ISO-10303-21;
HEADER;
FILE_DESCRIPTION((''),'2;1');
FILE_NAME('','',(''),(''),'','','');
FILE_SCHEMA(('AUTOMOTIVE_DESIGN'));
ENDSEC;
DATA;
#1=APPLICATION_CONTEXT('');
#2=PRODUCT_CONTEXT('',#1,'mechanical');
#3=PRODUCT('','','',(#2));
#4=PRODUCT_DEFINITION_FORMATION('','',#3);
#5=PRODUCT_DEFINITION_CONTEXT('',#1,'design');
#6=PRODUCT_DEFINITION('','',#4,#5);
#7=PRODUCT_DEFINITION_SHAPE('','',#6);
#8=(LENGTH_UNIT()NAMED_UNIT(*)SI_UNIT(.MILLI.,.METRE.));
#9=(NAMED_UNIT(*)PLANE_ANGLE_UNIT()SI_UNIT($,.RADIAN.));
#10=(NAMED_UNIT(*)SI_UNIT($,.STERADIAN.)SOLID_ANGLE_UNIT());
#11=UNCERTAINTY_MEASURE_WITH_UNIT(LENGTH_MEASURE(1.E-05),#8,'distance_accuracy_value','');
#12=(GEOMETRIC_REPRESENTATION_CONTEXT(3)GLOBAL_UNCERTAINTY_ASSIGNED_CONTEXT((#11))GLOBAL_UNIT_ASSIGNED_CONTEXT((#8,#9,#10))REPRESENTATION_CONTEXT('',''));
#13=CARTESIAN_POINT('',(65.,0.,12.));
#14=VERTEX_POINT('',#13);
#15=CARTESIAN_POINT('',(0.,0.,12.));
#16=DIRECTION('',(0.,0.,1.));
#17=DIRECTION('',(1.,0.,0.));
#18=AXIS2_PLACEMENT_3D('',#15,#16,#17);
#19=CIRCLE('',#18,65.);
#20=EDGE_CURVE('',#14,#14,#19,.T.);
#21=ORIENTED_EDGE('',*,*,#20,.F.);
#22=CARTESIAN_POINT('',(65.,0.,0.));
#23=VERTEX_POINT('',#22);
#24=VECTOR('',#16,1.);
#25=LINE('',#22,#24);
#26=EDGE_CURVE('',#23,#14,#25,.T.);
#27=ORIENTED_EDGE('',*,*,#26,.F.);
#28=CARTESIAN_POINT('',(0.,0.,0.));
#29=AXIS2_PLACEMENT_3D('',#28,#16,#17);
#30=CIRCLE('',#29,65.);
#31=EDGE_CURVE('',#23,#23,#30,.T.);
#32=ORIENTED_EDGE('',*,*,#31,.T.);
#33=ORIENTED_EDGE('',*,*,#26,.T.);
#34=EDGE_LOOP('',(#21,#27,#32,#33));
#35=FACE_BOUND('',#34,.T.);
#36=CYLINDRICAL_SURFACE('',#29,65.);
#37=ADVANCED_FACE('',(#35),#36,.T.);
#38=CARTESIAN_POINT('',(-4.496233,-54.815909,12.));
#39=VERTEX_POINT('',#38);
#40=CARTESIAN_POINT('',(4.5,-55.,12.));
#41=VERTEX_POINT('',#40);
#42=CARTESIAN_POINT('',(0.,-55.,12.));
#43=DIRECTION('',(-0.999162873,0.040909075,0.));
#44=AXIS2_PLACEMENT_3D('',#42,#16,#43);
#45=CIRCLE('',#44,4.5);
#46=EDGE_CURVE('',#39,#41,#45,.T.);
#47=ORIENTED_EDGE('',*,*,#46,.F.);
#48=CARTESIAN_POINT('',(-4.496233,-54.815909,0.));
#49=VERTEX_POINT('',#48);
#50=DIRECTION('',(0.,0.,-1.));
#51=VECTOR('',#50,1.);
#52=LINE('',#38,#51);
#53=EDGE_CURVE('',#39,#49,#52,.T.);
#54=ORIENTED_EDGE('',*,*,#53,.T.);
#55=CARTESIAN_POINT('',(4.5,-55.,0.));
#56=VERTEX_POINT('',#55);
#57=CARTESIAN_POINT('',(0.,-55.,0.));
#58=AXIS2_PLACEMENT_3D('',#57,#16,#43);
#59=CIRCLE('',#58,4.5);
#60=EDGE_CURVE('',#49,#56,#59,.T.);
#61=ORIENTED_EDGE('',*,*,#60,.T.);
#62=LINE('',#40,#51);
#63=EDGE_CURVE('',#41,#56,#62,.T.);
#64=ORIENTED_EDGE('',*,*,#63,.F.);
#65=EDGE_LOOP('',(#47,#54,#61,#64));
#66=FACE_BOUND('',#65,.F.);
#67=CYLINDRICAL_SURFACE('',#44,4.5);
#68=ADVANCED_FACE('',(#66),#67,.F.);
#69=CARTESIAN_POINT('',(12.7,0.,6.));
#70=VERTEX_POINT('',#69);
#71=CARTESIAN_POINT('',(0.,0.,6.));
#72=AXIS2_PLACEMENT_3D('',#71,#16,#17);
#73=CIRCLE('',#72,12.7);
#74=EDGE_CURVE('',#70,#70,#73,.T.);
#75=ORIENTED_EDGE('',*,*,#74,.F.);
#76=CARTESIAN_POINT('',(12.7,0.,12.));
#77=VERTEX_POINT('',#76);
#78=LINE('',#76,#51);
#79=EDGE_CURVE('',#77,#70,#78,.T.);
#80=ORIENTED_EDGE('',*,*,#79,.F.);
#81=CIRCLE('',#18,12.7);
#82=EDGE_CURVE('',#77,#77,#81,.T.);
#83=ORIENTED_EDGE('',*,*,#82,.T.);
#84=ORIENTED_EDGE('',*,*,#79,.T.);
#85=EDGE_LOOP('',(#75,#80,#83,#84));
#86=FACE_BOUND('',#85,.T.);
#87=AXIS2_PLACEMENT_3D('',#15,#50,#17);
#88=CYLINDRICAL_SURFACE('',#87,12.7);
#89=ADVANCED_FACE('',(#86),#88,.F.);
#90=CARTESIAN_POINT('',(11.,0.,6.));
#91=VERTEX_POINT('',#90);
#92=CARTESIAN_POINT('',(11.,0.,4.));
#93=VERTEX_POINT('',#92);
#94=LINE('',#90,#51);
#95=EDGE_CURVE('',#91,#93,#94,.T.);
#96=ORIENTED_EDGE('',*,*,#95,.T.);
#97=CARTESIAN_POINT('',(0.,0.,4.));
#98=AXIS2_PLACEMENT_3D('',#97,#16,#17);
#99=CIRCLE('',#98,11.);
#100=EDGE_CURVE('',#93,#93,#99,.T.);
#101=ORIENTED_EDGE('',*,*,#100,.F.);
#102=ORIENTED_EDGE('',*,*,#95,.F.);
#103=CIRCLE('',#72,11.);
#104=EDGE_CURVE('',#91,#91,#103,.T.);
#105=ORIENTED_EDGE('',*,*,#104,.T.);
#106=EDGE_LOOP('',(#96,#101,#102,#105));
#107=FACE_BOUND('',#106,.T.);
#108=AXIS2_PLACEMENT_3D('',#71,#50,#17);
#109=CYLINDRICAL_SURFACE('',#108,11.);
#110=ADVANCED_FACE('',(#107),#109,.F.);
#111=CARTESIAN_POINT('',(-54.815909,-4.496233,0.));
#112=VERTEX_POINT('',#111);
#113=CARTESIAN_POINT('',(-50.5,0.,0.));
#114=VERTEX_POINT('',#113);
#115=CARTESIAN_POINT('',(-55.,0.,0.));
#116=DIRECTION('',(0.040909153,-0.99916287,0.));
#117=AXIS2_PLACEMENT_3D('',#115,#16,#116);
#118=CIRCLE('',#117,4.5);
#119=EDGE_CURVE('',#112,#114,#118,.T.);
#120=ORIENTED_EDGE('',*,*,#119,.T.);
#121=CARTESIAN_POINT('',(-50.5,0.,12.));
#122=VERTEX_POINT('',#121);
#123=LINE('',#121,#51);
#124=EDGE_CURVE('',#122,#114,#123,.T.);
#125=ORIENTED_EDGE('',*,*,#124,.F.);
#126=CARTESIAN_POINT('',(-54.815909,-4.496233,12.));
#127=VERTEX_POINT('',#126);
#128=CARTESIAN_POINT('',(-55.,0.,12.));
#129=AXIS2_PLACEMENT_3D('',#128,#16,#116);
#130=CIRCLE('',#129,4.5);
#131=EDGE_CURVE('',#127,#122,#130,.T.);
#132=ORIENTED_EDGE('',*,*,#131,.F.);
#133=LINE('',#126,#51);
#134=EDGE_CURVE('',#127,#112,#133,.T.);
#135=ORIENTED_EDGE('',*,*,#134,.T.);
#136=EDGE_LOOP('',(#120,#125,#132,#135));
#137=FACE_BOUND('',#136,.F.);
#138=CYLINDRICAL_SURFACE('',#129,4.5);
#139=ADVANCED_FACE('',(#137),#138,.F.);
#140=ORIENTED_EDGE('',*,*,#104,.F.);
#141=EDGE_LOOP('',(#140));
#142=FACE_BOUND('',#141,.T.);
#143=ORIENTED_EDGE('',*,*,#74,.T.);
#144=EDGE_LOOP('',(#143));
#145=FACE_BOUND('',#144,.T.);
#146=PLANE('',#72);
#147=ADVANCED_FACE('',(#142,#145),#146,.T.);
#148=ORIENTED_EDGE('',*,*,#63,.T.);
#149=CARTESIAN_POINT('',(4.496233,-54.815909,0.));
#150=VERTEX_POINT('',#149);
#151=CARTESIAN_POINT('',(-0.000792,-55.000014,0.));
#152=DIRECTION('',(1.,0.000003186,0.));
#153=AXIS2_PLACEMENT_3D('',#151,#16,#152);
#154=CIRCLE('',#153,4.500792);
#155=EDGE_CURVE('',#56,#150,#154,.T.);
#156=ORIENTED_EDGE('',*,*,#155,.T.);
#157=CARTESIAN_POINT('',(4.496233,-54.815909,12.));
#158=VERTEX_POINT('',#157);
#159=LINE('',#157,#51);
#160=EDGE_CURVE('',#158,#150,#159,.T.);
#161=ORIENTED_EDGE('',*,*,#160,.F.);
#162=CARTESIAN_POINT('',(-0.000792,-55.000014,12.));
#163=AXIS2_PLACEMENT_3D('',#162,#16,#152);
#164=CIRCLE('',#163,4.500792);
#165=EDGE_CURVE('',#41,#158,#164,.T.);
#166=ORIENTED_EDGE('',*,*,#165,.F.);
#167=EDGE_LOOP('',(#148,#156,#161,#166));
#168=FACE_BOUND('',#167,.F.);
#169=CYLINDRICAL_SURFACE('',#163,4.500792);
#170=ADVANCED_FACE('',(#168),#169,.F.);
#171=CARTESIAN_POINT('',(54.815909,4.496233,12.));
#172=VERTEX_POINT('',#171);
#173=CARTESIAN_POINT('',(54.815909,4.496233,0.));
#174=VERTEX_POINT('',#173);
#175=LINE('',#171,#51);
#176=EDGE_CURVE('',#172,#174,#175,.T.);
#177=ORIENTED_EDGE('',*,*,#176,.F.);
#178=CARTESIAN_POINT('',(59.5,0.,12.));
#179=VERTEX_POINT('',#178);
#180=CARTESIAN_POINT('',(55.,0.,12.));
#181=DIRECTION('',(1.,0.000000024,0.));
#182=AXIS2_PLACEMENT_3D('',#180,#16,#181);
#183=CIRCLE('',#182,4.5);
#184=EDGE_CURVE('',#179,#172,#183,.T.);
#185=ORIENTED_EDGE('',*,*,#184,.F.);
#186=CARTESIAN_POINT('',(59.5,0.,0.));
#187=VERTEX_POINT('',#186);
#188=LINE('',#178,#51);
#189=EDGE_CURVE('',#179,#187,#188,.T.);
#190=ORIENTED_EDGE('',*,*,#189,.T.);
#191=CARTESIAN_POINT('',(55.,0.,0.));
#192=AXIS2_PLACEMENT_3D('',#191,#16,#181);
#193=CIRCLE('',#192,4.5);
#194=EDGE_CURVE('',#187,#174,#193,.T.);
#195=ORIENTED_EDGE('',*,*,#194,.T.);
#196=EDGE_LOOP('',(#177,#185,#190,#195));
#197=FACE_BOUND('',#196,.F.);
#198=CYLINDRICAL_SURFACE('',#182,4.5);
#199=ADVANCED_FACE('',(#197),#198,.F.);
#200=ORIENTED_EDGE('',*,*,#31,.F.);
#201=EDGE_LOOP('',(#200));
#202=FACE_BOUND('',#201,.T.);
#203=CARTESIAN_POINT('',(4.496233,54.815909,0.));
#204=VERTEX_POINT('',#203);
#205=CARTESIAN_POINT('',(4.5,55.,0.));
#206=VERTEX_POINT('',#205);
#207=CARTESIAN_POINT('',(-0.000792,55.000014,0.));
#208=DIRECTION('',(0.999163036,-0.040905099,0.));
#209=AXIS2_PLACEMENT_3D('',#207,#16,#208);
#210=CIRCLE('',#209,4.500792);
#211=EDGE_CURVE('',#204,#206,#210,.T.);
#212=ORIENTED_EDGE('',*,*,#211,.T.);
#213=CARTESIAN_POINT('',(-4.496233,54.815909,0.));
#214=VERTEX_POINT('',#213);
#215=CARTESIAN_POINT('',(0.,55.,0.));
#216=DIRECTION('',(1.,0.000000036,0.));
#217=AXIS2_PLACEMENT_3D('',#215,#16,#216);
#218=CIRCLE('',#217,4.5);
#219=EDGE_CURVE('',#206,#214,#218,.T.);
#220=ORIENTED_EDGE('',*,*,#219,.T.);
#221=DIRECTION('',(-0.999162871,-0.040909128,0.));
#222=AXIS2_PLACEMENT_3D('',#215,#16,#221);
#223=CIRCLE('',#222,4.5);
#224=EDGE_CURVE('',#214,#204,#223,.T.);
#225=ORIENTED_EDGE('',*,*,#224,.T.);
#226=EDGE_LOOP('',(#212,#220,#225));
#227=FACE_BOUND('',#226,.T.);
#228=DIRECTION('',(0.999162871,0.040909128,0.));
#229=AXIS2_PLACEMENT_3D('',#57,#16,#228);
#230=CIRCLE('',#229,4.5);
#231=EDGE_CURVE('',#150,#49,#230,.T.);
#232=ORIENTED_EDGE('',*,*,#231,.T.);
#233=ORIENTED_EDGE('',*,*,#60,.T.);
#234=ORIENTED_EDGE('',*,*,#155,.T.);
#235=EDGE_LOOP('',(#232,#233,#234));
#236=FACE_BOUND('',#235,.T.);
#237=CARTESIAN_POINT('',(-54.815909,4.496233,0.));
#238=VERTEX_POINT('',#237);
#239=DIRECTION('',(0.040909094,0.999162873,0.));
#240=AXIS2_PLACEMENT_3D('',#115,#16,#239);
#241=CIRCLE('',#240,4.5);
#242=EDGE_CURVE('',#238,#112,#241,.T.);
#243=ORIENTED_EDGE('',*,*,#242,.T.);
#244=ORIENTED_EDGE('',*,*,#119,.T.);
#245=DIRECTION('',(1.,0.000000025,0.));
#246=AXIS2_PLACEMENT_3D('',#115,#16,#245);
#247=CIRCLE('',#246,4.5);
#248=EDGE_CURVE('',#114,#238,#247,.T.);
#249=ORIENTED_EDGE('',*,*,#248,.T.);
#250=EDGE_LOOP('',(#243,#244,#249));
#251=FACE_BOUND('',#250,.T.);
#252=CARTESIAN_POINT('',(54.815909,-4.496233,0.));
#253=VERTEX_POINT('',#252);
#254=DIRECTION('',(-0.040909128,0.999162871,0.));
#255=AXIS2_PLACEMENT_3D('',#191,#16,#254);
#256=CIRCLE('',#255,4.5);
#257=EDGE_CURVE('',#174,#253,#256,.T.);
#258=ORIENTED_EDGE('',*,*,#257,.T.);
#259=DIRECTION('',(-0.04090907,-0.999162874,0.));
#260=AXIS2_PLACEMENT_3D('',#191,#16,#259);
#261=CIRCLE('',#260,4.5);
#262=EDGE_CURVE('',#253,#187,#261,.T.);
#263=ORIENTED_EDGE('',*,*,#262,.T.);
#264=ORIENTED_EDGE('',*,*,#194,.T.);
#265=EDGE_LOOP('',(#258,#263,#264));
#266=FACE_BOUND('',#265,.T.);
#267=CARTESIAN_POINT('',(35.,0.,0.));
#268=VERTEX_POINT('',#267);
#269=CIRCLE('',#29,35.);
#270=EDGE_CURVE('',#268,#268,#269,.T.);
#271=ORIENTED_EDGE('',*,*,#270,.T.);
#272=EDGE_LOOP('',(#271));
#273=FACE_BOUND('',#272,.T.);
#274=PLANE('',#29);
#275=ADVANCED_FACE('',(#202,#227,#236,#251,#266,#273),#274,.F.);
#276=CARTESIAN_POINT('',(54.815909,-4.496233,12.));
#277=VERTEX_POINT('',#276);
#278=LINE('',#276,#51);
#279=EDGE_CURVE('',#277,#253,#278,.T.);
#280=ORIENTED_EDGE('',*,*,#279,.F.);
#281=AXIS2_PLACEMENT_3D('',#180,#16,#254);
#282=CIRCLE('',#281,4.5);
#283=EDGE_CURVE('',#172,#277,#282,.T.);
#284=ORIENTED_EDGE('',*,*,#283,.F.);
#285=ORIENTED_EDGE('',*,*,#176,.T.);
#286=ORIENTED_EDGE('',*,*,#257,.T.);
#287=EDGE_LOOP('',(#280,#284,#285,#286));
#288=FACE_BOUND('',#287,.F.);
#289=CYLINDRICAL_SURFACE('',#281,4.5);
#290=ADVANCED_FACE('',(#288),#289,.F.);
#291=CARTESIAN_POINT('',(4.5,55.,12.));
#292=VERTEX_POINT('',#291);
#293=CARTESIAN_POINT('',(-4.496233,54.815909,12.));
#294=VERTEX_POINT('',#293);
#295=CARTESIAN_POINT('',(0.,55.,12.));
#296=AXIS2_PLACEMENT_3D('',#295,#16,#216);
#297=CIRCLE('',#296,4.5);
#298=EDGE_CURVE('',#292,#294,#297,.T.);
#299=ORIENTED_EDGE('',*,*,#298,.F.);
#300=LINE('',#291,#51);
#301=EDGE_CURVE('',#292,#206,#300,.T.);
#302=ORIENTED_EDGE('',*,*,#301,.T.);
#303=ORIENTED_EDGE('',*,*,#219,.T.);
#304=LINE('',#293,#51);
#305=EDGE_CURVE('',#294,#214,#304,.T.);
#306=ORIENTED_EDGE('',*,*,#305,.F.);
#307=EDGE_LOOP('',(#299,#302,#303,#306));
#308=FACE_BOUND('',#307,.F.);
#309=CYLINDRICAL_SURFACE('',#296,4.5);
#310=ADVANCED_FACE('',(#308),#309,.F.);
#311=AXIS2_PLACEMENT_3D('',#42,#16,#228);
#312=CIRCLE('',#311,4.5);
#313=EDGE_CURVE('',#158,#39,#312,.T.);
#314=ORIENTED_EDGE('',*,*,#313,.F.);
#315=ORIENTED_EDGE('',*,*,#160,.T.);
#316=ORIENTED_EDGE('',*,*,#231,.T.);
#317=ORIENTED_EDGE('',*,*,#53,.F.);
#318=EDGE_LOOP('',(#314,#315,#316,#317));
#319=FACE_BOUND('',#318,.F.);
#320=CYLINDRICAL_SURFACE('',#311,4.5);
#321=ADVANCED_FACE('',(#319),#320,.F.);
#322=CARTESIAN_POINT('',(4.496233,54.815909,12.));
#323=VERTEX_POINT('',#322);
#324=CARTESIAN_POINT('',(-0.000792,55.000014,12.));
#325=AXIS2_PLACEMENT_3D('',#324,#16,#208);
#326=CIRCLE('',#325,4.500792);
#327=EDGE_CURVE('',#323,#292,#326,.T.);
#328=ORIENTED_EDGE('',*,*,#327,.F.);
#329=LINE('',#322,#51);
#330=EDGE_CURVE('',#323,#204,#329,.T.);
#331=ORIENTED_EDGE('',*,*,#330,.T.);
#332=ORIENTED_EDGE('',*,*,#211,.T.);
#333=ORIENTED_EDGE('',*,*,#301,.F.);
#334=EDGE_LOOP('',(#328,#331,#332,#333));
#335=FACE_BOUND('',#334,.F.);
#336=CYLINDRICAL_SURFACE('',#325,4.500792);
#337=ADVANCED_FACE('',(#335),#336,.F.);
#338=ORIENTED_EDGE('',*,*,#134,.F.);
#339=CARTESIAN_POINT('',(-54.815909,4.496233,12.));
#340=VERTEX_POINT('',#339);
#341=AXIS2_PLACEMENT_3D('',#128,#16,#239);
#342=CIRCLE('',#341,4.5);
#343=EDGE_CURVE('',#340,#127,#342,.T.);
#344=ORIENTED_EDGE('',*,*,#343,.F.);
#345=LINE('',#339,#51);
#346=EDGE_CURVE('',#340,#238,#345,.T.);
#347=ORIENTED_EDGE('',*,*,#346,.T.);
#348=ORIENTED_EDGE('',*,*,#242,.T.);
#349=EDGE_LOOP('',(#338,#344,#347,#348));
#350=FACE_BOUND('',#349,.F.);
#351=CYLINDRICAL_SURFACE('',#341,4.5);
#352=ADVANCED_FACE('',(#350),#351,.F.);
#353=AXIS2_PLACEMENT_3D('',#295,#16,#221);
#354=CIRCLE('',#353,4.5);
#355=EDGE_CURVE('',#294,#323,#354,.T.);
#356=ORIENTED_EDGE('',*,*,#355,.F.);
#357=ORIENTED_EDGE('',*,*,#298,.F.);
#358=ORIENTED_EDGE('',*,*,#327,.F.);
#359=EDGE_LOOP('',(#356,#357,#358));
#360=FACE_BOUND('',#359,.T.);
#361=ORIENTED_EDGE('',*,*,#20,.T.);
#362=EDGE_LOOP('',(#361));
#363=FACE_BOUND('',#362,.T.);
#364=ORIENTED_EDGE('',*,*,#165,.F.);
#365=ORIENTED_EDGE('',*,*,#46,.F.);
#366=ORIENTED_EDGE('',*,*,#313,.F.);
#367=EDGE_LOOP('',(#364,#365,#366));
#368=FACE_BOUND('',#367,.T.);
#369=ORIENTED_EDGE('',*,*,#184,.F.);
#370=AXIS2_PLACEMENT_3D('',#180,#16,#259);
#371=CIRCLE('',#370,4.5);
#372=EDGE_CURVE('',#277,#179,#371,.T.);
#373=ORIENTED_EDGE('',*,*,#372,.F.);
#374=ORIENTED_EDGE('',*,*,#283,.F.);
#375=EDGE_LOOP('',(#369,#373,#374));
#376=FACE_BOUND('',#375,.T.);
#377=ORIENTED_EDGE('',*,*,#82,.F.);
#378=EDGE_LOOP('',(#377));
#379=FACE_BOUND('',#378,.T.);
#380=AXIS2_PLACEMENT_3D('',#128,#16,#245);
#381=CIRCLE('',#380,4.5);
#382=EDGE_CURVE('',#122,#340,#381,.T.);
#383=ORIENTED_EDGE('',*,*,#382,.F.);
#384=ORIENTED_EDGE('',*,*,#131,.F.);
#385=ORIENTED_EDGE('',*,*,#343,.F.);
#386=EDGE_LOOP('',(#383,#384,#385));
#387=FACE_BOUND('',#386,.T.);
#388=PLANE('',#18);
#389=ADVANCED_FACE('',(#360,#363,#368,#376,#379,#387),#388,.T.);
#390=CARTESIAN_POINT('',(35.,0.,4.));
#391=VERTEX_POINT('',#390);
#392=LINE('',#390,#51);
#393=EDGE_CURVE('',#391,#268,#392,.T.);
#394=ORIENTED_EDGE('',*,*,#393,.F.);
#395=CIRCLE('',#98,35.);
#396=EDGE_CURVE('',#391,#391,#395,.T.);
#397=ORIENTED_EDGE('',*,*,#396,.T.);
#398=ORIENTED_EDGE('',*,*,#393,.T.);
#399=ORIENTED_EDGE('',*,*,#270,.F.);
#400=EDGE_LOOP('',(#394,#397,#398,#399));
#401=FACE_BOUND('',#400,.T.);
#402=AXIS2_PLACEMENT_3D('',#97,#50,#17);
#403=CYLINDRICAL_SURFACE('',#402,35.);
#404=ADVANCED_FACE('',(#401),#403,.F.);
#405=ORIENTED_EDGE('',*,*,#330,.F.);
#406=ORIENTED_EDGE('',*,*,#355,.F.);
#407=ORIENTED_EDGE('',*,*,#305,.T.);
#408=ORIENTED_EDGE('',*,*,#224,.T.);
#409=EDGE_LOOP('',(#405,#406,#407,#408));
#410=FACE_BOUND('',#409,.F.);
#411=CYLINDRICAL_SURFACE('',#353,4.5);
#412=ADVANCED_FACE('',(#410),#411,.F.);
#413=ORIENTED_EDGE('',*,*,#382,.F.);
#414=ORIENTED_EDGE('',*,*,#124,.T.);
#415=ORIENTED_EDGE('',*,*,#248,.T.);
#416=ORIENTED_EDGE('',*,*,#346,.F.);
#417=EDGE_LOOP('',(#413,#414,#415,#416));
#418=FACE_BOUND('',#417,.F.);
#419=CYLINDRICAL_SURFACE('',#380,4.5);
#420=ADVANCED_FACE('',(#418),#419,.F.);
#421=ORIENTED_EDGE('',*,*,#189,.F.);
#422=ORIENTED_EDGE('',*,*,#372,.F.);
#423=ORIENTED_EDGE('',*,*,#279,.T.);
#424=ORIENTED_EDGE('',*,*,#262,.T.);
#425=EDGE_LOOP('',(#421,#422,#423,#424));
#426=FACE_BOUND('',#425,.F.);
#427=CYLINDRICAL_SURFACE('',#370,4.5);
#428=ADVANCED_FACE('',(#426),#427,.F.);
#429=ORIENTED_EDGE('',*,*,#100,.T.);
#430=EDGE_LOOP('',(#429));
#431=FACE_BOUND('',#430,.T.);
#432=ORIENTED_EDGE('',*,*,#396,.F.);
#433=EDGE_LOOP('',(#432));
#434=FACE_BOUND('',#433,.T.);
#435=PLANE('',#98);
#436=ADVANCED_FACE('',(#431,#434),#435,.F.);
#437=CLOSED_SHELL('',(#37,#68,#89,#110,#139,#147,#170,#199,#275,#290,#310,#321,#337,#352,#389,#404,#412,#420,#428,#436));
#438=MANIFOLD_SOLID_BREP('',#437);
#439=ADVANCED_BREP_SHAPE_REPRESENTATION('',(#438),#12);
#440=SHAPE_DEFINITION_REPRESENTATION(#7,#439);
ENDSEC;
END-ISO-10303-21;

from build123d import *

# Parameters (mm, degrees)
F3_DEPTH = 12


with BuildPart() as f1:
    # F0 (on Front) → F1 (revolve)
    with BuildSketch(Plane.XZ):
        Polygon((35, 4), (35, 0), (65, 0), (65, 12), (12.7, 12), (12.7, 6), (11, 6), (11, 4), align=None)
    revolve(axis=Axis((0, 0, 8.603251), (0, 0, 1)))

    # F2 (on face) → F3 (cut)
    with BuildSketch(Plane.XY.offset(12)):
        with BuildLine():
            ThreePointArc((-4.496233, 54.815909), (0, 50.5), (4.496233, 54.815909))
            ThreePointArc((4.496233, 54.815909), (4.499058, 54.907935), (4.5, 55))
            ThreePointArc((4.5, 55), (-0.092065, 59.499058), (-4.496233, 54.815909))
        make_face()
        with BuildLine():
            ThreePointArc((-50.5, 0), (-51.753586, 3.116215), (-54.815909, 4.496233))
            ThreePointArc((-54.815909, 4.496233), (-59.5, 0), (-54.815909, -4.496233))
            ThreePointArc((-54.815909, -4.496233), (-51.753586, -3.116215), (-50.5, 0))
        make_face()
        with BuildLine():
            ThreePointArc((4.5, -55), (4.499058, -54.907935), (4.496233, -54.815909))
            ThreePointArc((4.496233, -54.815909), (0, -50.5), (-4.496233, -54.815909))
            ThreePointArc((-4.496233, -54.815909), (-0.092065, -59.499058), (4.5, -55))
        make_face()
        with BuildLine():
            ThreePointArc((59.5, 0), (58.116215, 3.246414), (54.815909, 4.496233))
            ThreePointArc((54.815909, 4.496233), (50.5, 0), (54.815909, -4.496233))
            ThreePointArc((54.815909, -4.496233), (58.116215, -3.246414), (59.5, 0))
        make_face()
    extrude(amount=-F3_DEPTH, mode=Mode.SUBTRACT)


solid = f1.part
